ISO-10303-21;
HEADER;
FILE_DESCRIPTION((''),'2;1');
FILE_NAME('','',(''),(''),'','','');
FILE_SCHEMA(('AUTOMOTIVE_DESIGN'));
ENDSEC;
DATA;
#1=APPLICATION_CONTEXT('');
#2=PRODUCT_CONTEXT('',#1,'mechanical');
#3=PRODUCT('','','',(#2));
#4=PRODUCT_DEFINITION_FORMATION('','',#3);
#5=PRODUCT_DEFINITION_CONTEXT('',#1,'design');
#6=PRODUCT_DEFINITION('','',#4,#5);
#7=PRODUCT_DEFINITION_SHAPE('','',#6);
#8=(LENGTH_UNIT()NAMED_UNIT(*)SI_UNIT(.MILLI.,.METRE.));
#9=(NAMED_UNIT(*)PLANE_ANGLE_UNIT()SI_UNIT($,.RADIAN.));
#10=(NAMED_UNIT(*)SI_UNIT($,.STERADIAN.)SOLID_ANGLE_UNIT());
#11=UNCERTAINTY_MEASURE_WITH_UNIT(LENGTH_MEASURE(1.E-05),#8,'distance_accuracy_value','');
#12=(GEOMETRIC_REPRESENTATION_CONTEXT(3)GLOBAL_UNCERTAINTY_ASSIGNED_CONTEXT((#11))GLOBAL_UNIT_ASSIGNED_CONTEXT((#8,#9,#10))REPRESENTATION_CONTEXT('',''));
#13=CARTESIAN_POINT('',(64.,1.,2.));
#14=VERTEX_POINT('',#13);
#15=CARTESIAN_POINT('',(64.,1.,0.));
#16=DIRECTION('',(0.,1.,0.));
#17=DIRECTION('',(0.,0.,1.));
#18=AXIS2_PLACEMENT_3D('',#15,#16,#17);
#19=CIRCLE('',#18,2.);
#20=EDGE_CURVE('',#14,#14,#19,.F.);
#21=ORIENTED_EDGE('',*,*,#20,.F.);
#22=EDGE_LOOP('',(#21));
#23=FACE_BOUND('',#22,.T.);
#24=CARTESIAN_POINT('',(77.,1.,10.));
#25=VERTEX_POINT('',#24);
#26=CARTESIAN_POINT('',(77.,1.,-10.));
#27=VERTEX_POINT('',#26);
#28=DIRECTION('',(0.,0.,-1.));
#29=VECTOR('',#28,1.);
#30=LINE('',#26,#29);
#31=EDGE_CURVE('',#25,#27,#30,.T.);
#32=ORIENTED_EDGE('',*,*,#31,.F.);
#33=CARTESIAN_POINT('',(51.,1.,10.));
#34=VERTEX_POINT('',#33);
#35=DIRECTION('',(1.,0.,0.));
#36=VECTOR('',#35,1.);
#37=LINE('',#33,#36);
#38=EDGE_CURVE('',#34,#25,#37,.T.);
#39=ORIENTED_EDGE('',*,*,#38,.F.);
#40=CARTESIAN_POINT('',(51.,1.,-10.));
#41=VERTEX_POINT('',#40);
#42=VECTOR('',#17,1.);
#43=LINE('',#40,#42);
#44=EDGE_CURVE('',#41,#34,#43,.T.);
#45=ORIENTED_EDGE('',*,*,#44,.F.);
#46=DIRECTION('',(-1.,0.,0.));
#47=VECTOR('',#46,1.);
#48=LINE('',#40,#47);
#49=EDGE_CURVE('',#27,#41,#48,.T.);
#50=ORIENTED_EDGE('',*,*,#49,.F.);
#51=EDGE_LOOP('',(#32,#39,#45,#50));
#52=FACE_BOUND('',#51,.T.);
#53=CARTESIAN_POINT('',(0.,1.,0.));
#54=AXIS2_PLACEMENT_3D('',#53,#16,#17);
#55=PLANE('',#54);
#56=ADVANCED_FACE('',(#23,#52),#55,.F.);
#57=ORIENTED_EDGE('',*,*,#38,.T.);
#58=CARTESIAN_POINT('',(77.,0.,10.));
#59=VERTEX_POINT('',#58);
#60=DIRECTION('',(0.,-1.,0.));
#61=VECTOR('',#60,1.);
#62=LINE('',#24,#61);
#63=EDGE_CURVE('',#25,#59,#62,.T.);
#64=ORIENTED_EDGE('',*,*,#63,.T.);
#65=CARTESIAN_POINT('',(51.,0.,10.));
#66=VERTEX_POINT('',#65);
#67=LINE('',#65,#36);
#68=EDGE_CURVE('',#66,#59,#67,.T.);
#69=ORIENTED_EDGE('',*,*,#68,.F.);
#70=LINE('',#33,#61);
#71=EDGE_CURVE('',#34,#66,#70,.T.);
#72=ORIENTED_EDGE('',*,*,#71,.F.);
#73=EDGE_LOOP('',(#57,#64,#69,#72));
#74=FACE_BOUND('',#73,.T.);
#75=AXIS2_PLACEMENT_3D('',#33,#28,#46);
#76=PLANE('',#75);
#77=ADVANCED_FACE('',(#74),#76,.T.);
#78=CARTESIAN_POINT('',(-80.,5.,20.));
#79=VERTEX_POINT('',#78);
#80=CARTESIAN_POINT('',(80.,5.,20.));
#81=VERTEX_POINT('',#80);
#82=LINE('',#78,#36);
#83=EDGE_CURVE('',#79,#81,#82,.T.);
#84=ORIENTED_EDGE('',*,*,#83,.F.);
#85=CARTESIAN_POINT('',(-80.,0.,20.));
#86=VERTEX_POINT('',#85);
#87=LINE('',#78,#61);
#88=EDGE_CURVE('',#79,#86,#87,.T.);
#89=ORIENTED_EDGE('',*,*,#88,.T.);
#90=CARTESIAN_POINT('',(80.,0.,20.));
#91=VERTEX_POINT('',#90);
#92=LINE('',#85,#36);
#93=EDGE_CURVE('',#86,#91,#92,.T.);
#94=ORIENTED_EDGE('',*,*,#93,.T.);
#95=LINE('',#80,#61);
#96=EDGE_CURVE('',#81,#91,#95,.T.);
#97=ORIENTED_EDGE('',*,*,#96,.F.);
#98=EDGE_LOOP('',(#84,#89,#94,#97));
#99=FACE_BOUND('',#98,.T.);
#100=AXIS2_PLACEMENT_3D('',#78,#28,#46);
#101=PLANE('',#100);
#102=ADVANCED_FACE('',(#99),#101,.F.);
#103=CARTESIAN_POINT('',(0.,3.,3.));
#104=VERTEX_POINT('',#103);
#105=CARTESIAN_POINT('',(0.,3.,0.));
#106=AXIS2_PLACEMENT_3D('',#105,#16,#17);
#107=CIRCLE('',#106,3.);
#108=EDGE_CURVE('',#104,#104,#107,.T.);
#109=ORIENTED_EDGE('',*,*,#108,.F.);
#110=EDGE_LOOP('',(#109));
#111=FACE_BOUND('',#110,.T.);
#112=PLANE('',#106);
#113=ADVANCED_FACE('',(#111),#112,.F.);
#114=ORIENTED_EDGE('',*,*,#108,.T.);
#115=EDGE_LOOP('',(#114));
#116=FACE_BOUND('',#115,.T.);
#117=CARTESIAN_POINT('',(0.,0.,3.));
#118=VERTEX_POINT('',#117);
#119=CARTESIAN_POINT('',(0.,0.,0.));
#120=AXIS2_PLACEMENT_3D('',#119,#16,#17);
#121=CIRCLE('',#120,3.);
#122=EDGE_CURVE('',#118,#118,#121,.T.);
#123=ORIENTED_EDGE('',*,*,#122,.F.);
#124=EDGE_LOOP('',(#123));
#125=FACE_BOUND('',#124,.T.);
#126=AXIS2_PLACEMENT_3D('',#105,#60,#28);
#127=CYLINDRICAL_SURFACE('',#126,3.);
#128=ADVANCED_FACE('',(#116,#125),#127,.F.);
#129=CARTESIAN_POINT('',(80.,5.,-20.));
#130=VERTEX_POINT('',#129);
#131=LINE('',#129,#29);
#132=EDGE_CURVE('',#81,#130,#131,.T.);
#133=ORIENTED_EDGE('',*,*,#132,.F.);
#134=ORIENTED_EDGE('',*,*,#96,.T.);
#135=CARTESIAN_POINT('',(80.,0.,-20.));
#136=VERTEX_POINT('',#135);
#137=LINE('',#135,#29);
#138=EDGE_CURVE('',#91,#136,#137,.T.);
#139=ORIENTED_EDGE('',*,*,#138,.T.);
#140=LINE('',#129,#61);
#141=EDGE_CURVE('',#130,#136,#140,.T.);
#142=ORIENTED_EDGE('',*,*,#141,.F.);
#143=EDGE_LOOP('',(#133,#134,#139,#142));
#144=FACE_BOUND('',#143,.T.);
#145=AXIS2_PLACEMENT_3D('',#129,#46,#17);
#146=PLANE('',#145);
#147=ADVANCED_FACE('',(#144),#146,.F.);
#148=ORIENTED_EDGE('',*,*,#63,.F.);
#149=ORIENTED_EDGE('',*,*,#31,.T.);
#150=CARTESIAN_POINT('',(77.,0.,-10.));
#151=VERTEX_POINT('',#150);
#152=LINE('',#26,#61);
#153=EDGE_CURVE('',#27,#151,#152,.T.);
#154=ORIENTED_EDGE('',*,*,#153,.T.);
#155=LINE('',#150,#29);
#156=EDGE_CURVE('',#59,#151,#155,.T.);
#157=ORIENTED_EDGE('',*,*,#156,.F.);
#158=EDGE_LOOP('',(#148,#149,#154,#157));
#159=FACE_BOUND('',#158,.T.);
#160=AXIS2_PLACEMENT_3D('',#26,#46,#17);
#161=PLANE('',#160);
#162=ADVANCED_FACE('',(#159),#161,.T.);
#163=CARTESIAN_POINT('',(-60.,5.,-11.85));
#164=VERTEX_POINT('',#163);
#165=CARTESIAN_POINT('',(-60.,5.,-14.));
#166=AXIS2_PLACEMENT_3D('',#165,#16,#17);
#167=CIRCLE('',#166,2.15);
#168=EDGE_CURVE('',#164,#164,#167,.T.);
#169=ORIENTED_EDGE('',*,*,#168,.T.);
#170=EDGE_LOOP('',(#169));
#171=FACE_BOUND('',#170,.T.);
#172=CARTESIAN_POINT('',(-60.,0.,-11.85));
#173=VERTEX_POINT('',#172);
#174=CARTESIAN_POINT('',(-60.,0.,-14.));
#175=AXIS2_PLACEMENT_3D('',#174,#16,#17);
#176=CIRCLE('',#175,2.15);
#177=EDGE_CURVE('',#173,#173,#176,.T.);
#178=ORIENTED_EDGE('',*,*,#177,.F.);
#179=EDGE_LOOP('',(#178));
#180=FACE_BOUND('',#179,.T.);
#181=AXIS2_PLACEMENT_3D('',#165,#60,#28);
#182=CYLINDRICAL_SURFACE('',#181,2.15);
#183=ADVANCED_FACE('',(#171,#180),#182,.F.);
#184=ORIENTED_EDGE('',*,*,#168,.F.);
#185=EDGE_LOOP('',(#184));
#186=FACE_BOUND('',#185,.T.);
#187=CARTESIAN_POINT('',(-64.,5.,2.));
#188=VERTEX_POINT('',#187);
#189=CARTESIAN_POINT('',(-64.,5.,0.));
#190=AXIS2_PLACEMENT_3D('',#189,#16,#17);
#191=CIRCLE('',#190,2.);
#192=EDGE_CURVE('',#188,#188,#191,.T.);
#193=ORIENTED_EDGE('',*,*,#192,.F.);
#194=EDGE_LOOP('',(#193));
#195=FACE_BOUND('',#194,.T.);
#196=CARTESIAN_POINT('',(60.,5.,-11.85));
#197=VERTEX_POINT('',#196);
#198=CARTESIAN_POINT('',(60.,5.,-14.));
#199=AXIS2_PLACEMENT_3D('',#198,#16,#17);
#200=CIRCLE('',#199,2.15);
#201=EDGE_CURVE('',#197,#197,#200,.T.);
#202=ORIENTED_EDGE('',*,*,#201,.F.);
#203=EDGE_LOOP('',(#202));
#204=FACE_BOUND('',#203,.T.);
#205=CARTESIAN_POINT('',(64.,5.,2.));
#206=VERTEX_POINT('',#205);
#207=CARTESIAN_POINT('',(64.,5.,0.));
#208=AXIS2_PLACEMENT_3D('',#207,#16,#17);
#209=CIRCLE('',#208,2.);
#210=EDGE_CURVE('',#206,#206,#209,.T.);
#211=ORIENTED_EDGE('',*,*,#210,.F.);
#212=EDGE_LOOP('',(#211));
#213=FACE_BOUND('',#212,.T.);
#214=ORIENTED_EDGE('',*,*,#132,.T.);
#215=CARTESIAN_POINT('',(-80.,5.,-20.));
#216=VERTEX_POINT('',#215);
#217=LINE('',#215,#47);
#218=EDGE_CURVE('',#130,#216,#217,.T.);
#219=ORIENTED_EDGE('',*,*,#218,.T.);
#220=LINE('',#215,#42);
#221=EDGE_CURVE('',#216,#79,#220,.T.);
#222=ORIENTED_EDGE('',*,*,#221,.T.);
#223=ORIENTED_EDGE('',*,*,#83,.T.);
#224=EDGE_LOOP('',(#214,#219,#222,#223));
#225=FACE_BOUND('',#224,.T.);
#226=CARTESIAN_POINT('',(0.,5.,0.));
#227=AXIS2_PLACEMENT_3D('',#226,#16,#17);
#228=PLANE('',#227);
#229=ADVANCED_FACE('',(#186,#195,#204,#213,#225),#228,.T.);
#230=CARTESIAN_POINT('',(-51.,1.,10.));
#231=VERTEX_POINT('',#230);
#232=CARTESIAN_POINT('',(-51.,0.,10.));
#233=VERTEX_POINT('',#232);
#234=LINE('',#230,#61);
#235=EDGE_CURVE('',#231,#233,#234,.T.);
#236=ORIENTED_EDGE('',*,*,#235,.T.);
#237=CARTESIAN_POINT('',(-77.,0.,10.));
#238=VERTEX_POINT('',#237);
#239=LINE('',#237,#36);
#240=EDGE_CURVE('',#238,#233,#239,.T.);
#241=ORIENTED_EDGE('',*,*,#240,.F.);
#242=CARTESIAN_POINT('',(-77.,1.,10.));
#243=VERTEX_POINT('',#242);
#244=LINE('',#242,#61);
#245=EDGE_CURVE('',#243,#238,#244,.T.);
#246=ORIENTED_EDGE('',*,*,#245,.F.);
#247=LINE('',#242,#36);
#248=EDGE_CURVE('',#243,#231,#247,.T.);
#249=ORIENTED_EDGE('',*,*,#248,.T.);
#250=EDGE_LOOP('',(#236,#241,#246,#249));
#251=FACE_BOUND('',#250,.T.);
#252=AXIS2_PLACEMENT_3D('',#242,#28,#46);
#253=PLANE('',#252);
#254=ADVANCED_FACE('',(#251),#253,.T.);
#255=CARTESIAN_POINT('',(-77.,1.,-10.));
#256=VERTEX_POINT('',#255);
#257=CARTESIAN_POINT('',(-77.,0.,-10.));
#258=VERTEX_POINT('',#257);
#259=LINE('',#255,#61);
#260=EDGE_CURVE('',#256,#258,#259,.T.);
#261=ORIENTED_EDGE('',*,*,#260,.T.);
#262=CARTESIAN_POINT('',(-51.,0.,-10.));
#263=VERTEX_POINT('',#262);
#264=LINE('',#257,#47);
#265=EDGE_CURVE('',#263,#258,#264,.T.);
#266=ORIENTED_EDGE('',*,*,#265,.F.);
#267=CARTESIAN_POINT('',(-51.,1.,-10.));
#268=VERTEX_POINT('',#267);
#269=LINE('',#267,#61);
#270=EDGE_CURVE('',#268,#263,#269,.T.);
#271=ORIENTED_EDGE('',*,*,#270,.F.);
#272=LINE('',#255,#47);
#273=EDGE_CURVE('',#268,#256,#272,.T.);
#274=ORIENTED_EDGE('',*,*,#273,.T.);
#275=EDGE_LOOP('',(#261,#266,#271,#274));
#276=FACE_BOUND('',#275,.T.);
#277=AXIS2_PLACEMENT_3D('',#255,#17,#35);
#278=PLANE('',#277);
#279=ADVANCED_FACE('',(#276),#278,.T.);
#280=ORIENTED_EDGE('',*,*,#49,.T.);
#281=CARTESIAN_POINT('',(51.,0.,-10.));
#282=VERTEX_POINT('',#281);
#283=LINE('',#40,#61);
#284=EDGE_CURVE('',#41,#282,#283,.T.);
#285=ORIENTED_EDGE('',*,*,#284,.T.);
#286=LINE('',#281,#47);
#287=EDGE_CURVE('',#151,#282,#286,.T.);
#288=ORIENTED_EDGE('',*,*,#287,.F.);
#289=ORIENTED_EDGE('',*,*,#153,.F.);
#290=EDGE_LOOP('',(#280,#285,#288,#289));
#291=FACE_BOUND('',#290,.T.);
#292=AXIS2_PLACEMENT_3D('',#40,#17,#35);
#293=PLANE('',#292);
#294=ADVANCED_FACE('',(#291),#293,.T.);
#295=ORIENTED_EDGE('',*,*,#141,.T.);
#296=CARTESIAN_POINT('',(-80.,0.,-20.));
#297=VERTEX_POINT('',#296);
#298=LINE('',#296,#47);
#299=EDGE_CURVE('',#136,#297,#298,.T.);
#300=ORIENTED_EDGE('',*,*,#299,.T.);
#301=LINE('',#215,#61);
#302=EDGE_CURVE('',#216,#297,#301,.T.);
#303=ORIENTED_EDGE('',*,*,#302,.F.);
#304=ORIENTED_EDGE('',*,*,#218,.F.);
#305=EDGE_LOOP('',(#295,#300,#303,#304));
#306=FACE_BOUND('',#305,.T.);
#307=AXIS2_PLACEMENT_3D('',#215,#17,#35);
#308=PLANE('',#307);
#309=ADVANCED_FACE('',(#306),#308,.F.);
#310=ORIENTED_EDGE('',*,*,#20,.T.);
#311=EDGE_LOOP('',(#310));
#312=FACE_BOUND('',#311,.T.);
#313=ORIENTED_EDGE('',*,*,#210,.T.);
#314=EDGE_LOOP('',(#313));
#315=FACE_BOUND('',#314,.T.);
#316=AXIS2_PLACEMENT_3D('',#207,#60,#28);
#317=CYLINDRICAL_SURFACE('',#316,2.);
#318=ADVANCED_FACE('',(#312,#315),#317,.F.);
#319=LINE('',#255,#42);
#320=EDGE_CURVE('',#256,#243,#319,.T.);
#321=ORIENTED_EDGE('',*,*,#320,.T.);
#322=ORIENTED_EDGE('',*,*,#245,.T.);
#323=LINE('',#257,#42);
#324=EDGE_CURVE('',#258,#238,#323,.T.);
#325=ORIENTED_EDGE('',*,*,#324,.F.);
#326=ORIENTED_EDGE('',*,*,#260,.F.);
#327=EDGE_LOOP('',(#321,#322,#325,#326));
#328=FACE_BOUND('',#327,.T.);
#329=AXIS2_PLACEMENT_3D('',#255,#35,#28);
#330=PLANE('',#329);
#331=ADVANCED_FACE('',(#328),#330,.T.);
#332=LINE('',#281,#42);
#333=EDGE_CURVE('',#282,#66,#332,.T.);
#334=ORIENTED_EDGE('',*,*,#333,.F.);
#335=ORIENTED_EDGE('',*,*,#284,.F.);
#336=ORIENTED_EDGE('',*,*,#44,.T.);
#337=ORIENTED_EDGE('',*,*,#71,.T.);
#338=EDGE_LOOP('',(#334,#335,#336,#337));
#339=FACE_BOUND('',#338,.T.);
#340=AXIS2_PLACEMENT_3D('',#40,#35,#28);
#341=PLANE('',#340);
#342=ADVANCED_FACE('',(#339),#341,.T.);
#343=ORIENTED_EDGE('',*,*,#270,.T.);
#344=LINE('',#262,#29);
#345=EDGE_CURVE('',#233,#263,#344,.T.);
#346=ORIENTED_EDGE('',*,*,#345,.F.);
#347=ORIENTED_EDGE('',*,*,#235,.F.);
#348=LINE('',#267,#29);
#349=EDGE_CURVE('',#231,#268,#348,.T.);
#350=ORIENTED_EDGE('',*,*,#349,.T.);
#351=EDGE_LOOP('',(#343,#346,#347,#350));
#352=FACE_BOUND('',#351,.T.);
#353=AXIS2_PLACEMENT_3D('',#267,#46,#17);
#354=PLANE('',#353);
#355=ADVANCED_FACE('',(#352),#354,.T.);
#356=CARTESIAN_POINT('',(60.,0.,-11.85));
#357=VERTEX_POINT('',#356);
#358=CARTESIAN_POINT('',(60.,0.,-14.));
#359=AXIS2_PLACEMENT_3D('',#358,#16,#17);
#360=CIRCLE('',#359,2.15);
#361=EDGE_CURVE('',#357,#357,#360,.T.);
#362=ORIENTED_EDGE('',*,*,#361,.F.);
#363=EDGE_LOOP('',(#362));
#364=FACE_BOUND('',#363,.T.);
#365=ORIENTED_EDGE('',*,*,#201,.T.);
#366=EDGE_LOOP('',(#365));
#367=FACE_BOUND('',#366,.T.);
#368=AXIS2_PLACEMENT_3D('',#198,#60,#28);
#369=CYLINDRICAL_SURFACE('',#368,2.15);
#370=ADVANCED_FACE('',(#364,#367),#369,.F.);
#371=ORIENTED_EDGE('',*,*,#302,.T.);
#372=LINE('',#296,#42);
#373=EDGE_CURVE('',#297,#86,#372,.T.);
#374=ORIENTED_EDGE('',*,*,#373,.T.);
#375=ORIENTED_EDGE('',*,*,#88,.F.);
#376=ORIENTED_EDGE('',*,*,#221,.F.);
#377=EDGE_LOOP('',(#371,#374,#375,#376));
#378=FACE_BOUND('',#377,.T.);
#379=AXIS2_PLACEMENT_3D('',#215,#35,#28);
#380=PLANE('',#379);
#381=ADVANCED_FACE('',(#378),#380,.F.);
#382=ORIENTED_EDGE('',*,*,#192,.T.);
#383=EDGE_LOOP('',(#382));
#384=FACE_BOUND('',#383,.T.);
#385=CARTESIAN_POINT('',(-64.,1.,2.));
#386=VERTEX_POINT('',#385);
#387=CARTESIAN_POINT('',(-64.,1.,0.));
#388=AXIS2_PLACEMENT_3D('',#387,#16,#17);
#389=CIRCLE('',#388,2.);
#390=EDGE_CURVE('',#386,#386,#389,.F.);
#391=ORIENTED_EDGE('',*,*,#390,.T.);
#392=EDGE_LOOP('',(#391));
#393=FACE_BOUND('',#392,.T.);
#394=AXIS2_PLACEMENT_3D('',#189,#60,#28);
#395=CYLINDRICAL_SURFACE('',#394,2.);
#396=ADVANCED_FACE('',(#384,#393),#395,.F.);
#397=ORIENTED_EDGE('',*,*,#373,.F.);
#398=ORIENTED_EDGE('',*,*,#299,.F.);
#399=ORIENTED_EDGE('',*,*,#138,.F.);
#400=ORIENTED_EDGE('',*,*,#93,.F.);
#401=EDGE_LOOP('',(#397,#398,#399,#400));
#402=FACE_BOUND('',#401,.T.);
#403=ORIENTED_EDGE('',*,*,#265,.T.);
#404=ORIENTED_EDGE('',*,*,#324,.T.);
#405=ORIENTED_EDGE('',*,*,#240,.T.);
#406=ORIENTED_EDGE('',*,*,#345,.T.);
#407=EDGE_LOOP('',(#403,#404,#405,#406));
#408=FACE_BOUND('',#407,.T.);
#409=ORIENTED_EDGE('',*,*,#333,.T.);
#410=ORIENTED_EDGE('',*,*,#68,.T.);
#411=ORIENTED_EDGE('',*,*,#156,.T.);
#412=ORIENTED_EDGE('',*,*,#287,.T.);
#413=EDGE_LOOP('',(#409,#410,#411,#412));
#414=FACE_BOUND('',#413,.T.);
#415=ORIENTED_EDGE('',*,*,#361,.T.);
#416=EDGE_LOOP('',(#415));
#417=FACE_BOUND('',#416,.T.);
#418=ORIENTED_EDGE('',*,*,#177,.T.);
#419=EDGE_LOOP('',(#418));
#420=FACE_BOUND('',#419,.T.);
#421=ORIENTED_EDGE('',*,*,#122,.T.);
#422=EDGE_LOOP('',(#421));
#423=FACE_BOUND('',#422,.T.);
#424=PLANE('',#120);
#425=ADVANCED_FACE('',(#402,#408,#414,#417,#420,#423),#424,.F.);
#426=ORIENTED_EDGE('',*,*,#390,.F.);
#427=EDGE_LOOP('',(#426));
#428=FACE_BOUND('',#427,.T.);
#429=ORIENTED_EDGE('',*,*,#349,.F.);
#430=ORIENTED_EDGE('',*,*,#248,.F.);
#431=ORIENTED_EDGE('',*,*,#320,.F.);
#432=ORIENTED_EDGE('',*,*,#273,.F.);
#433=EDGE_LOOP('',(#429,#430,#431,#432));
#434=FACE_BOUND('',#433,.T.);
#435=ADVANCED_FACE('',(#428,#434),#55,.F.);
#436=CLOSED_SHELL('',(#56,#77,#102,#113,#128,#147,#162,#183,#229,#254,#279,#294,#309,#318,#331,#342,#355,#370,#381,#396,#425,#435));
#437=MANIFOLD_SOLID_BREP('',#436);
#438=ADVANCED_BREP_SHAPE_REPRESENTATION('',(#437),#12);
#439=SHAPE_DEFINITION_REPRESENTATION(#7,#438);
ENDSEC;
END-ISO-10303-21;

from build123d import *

# Parameters (mm, degrees)
SK_PLATE_W              = 160
SK_PLATE_H              = 40
EX_PLATE_DEPTH          = 5
SK_PADPOCKETS_W         = 26
SK_PADPOCKETS_H         = 20
CUT_PADPOCKETS_DEPTH    = 1
SK_PADINSERTS_M3_R      = 2
CUT_PADINSERTS_M3_DEPTH = 5
SK_MAGNET_R             = 3
CUT_MAGNET_DEPTH        = 3
SK_FRAMEBOLTS_R         = 2.15
CUT_FRAMEBOLTS_DEPTH    = 5


with BuildPart() as part:
    # SK_Plate → EX_Plate (new body)
    with BuildSketch(Plane(origin=(0, 0, 0), x_dir=(1, 0, 0), z_dir=(0, 1, 0))):
        Rectangle(SK_PLATE_W, SK_PLATE_H)
    extrude(amount=EX_PLATE_DEPTH)

    # SK_PadPockets → CUT_PadPockets (cut)
    with BuildSketch(Plane(origin=(0, 0, 0), x_dir=(1, 0, 0), z_dir=(0, 1, 0))):
        with Locations((64, 0)):
            Rectangle(SK_PADPOCKETS_W, SK_PADPOCKETS_H)
        with Locations((-64, 0)):
            Rectangle(SK_PADPOCKETS_W, SK_PADPOCKETS_H)
    extrude(amount=CUT_PADPOCKETS_DEPTH, mode=Mode.SUBTRACT)

    # SK_PadInserts_M3 → CUT_PadInserts_M3 (cut)
    with BuildSketch(Plane(origin=(0, 0, 0), x_dir=(1, 0, 0), z_dir=(0, 1, 0))):
        with Locations((64, 0)):
            Circle(SK_PADINSERTS_M3_R)
        with Locations((-64, 0)):
            Circle(SK_PADINSERTS_M3_R)
    extrude(amount=CUT_PADINSERTS_M3_DEPTH, mode=Mode.SUBTRACT)

    # SK_Magnet → CUT_Magnet (cut)
    with BuildSketch(Plane(origin=(0, 0, 0), x_dir=(1, 0, 0), z_dir=(0, 1, 0))):
        Circle(SK_MAGNET_R)
    extrude(amount=CUT_MAGNET_DEPTH, mode=Mode.SUBTRACT)

    # SK_FrameBolts → CUT_FrameBolts (cut)
    with BuildSketch(Plane(origin=(0, 0, 0), x_dir=(1, 0, 0), z_dir=(0, 1, 0))):
        with Locations((60, 14)):
            Circle(SK_FRAMEBOLTS_R)
        with Locations((-60, 14)):
            Circle(SK_FRAMEBOLTS_R)
    extrude(amount=CUT_FRAMEBOLTS_DEPTH, mode=Mode.SUBTRACT)


solid = part.part
